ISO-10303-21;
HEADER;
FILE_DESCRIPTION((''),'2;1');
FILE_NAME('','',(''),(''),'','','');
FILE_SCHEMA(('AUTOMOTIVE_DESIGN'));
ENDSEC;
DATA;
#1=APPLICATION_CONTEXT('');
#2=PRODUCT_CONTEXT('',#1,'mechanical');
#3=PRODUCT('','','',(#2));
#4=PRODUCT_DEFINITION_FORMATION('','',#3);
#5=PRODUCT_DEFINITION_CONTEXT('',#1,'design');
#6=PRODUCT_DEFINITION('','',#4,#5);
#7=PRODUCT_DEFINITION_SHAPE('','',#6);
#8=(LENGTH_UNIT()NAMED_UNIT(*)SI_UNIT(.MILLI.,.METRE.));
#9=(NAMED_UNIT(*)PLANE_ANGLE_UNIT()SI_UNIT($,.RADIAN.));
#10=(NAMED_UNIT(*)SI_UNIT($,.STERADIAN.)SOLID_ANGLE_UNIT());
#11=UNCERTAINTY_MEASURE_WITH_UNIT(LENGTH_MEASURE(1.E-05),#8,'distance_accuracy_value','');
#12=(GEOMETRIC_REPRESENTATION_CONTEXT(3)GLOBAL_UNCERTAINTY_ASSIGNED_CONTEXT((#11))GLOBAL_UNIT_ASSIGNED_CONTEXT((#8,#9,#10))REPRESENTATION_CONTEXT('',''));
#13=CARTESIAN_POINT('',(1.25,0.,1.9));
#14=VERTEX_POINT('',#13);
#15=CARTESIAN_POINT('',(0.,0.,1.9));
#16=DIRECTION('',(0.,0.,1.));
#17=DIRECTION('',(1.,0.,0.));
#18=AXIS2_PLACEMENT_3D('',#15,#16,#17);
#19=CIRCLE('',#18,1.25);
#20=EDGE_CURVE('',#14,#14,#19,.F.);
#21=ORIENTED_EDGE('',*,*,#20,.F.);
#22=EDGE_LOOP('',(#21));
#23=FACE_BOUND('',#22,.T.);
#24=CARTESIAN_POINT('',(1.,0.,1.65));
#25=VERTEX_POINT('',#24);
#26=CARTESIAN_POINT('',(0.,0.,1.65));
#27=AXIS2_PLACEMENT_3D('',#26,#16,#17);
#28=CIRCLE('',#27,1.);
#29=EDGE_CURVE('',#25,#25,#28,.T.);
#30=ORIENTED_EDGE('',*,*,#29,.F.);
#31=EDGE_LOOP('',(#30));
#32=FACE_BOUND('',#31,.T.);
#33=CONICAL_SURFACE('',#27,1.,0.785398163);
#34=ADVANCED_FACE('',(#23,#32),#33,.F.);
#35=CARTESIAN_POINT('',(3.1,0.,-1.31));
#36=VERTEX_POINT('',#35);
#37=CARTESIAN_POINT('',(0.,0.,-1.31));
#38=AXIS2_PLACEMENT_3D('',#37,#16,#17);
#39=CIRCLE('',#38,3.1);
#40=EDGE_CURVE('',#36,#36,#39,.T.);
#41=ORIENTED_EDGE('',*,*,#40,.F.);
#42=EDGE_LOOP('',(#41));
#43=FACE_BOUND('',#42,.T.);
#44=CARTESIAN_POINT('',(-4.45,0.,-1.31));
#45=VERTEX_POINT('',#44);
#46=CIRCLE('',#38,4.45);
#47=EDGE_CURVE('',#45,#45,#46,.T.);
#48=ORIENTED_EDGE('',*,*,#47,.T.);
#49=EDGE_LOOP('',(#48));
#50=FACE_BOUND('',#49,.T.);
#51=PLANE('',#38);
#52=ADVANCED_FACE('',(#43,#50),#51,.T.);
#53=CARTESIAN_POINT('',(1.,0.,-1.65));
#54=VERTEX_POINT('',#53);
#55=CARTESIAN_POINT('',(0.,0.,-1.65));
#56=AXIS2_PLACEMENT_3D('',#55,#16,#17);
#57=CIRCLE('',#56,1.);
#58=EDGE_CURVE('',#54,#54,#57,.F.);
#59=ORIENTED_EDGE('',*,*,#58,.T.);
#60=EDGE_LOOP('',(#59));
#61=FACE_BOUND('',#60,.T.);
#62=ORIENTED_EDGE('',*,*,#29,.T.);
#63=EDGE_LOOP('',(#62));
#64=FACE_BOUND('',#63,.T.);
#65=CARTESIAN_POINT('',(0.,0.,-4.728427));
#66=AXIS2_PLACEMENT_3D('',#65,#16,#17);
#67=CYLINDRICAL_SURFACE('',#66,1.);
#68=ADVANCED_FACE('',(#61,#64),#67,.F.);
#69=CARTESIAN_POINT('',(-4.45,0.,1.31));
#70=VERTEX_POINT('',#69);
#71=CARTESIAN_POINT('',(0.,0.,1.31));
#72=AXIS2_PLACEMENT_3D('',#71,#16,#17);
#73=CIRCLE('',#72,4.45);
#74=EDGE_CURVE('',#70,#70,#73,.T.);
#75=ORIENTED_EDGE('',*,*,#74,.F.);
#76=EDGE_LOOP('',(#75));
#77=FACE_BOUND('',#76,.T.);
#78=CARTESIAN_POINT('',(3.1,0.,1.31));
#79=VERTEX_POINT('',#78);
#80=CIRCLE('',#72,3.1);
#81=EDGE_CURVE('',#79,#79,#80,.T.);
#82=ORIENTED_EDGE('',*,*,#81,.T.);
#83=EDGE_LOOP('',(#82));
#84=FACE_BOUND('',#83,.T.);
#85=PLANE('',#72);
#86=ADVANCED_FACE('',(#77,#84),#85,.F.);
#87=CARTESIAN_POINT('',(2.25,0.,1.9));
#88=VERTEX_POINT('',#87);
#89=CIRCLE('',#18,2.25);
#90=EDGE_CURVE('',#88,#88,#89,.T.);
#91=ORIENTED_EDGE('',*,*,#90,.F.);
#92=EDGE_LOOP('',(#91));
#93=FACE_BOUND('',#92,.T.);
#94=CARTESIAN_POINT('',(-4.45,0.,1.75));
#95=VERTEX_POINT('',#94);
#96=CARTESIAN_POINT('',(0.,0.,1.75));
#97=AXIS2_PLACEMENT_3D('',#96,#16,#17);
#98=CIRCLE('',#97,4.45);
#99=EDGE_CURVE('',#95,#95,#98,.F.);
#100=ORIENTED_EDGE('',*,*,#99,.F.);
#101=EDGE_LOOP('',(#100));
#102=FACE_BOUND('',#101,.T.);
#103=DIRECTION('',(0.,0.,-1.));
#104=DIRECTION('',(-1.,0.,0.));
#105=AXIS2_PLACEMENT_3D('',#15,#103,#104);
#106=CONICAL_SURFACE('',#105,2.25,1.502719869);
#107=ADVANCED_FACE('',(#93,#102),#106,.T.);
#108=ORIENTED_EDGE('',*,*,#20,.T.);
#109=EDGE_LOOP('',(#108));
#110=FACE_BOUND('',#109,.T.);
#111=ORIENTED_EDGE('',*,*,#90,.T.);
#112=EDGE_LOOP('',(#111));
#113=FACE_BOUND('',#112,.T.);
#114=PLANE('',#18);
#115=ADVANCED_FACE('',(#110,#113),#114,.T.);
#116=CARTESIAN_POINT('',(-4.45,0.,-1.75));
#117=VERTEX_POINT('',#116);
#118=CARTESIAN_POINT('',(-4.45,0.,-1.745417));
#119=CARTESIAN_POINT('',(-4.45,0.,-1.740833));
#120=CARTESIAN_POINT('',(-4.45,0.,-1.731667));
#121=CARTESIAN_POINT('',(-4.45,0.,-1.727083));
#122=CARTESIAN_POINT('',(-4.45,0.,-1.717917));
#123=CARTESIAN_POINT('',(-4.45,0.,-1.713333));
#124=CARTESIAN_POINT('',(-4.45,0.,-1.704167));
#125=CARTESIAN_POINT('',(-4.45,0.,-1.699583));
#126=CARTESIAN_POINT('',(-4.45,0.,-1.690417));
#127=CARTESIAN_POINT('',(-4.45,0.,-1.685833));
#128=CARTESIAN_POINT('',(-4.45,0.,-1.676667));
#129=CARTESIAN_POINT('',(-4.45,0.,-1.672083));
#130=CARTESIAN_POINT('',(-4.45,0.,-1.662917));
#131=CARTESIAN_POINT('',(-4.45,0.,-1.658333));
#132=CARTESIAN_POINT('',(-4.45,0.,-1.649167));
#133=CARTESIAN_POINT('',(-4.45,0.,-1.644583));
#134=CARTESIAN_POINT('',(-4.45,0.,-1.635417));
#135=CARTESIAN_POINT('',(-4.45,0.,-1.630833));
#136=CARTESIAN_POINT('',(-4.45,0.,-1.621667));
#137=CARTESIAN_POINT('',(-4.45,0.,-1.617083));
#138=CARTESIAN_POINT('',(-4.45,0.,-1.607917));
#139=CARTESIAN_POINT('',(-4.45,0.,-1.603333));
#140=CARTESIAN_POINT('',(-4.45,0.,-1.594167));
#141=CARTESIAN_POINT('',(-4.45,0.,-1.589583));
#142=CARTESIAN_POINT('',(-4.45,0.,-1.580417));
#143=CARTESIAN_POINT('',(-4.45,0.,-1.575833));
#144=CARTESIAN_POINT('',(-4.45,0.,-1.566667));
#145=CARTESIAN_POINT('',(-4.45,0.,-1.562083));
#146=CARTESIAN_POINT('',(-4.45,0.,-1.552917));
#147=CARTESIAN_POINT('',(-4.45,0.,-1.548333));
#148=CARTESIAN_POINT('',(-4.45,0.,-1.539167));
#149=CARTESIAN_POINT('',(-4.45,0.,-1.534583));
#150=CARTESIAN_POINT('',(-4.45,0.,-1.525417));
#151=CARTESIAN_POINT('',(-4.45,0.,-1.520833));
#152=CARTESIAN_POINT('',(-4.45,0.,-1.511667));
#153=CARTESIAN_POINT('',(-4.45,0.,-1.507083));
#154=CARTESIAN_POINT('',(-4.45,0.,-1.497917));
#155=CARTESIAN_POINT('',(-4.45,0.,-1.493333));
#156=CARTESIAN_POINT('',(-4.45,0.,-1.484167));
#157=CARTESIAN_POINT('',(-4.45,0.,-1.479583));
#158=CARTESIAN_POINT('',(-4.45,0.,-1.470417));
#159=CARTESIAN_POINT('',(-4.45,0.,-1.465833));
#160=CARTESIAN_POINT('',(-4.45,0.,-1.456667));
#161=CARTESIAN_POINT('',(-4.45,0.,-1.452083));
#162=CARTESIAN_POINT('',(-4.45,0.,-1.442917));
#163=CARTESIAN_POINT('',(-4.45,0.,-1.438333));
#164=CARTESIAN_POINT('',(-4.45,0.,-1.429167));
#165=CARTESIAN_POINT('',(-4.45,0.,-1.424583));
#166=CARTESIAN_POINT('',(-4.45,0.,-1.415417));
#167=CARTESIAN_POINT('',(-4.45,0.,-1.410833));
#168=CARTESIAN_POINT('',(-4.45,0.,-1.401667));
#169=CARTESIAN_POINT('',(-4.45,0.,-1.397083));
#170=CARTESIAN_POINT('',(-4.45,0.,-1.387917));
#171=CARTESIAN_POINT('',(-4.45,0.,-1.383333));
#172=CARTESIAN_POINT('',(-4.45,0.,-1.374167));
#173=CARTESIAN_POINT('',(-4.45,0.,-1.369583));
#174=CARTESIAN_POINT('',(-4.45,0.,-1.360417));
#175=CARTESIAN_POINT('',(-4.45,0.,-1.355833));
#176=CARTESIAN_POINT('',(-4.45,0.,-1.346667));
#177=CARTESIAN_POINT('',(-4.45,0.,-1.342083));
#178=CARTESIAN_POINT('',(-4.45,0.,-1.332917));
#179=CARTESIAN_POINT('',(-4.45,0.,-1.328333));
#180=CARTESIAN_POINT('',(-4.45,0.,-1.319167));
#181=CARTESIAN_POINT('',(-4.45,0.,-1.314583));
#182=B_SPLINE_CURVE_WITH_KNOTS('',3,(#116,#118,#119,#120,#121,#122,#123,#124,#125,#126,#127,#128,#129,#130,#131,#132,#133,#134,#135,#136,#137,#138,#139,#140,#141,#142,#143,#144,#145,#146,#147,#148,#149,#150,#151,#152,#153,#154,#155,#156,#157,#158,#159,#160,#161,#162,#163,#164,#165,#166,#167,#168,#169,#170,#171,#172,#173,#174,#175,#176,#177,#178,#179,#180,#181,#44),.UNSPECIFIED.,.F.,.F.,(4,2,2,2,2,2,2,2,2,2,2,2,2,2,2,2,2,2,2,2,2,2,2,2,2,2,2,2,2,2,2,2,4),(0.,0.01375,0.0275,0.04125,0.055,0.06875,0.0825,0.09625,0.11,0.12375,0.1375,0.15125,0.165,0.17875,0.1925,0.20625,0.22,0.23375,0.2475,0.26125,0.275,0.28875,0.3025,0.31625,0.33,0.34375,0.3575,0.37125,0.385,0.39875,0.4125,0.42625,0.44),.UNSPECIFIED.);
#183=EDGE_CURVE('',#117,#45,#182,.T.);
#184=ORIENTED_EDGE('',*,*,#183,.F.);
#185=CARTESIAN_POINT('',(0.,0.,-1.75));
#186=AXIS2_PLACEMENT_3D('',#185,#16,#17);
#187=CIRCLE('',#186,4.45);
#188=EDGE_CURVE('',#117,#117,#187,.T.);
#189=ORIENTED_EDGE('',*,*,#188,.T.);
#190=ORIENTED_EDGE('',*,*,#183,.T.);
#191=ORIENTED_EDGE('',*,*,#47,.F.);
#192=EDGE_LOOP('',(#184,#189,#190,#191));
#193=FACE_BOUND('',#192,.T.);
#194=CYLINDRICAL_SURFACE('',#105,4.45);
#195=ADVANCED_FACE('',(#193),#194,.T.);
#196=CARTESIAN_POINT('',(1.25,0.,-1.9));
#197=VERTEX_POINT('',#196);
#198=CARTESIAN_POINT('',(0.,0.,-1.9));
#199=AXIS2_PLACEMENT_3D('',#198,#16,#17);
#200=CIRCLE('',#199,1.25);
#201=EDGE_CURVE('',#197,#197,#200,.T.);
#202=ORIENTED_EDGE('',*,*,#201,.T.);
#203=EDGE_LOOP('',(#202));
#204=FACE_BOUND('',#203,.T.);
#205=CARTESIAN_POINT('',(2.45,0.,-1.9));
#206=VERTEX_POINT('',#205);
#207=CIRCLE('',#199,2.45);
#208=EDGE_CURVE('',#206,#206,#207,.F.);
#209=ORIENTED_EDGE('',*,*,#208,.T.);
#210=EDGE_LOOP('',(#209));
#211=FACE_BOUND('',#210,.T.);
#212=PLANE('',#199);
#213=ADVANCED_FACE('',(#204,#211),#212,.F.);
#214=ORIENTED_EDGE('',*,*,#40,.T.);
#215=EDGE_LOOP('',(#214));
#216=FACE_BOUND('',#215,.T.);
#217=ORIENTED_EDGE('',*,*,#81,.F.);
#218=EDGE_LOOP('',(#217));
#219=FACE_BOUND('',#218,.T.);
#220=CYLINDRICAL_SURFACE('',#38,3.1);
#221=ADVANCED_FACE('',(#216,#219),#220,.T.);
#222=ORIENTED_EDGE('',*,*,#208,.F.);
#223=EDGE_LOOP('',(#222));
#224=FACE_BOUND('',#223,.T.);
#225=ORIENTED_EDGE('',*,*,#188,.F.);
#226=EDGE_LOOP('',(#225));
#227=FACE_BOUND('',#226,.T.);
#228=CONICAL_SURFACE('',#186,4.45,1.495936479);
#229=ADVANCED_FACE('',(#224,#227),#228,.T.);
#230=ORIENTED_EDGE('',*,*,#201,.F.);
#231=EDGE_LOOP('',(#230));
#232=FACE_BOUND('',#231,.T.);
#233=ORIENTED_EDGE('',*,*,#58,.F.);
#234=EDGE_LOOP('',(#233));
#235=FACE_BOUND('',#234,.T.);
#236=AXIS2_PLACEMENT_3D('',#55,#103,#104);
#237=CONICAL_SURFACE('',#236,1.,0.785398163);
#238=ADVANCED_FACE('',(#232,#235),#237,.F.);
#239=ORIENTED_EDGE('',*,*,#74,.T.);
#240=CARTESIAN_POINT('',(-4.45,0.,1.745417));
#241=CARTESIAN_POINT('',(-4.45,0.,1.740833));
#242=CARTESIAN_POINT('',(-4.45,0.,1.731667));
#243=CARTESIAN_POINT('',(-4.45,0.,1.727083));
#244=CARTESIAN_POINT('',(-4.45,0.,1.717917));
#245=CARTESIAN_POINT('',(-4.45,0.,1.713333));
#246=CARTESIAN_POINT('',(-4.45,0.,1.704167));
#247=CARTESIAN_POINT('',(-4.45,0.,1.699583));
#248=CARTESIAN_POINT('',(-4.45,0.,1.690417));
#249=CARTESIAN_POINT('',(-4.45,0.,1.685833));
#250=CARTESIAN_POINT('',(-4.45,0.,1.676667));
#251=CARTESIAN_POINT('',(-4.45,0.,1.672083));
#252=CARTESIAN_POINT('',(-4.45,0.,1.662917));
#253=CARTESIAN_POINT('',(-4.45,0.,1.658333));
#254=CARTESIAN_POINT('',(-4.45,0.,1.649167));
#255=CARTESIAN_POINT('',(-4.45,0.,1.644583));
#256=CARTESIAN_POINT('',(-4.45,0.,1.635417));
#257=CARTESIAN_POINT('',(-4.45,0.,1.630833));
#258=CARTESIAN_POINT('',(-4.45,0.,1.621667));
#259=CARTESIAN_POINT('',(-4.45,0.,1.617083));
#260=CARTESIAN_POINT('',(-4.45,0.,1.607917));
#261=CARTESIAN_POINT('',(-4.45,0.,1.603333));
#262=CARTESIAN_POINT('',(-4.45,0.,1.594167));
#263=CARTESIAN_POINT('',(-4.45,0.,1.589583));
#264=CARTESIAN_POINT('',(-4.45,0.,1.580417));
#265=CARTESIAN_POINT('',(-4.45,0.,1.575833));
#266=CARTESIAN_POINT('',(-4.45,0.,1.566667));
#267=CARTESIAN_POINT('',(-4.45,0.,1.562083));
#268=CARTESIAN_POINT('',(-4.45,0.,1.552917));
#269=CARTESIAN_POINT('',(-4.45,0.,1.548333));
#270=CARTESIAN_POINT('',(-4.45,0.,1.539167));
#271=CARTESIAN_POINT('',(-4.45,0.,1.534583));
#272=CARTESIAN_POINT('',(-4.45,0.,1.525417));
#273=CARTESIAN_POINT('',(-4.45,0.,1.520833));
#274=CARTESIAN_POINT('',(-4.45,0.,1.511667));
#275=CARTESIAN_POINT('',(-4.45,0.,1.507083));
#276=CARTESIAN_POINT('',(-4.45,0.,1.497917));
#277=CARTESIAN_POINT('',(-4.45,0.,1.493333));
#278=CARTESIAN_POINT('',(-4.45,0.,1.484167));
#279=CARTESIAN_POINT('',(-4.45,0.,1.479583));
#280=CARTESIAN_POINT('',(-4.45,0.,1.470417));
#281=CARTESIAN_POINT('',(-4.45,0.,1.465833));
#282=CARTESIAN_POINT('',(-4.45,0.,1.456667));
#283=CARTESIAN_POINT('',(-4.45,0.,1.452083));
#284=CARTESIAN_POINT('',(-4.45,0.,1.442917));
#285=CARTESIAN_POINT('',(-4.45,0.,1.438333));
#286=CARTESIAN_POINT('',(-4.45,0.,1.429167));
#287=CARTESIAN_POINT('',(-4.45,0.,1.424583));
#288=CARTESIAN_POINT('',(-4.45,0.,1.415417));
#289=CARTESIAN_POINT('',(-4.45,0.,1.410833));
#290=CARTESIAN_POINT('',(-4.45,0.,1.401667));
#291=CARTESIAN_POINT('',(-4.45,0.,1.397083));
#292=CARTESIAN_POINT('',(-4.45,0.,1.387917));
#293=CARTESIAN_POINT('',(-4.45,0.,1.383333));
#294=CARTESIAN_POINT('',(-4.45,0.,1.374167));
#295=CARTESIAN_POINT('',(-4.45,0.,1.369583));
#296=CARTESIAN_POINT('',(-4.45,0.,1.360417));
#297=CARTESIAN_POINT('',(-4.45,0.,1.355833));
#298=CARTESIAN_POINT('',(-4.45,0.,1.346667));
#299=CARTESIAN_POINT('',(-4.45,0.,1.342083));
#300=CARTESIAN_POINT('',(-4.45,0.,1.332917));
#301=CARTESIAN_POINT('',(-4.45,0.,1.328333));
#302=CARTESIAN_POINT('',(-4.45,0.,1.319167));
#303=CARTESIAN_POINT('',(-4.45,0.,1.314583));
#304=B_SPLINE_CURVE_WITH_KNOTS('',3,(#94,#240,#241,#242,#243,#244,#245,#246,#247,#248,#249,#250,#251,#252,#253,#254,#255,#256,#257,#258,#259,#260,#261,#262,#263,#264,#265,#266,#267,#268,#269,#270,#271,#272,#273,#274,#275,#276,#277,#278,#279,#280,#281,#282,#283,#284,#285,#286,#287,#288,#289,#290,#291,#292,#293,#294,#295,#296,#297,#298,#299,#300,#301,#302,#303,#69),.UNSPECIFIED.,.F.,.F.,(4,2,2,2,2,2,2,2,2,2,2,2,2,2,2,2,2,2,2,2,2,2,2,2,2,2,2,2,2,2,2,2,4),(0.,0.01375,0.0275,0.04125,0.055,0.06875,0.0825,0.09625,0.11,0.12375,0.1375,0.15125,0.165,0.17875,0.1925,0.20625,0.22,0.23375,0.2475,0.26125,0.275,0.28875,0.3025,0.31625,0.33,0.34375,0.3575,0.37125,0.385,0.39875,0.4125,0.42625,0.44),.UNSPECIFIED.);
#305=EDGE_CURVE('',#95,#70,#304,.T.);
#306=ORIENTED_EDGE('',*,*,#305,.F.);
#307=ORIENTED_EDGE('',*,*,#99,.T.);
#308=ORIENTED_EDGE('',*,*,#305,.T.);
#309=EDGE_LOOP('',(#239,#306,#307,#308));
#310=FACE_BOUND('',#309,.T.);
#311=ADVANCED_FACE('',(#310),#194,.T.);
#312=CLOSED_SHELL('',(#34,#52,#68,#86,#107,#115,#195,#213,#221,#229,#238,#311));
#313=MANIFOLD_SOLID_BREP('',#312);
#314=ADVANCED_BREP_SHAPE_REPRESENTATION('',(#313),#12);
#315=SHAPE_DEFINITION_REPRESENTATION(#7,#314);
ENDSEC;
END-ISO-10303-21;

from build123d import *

# Parameters (mm, degrees)
SKETCH_1_R          = 4.45
EXTRUDE_1_DEPTH     = 1.9
SKETCH_2_R          = 4.45
SKETCH_2_R_2        = 3.1
CUT_EXTRUDE_2_DEPTH = 1.31
SKETCH_3_R          = 1
CUT_EXTRUDE_3_DEPTH = 3.8
CHAMFER_1_SIZE      = 0.25
CHAMFER_2_SIZE      = 2
CHAMFER_2_SIZE2     = 0.15
CHAMFER_3_SIZE      = 0.15
CHAMFER_3_SIZE2     = 2.2


with BuildPart() as part:
    # 草图1 → 拉伸1 (new, symmetric)
    with BuildSketch(Plane.XY):
        with Locations(Location((0, 0, 0), (0, 0, 180))):
            Circle(SKETCH_1_R)
    extrude(amount=EXTRUDE_1_DEPTH, both=True)

    # 草图2 → 拉伸2 (cut, symmetric)
    with BuildSketch(Plane.XY):
        with Locations(Location((0, 0, 0), (0, 0, 180))):
            Circle(SKETCH_2_R)
        Circle(SKETCH_2_R_2, mode=Mode.SUBTRACT)
    extrude(amount=CUT_EXTRUDE_2_DEPTH, both=True, mode=Mode.SUBTRACT)

    # 草图3 → 拉伸3 (cut)
    with BuildSketch(Plane.XY.offset(1.9)):
        Circle(SKETCH_3_R)
    extrude(amount=-CUT_EXTRUDE_3_DEPTH, mode=Mode.SUBTRACT)

    # 倒角1
    chamfer_1_edges = [part.edges().sort_by_distance(p)[0] for p in [
        (-1, 0, 1.9),
        (-1, 0, -1.9),
    ]]
    chamfer(chamfer_1_edges, length=CHAMFER_1_SIZE)

    # 倒角2
    chamfer_2_edges = [part.edges().sort_by_distance(p)[0] for p in [
        (4.45, 0, -1.9),
    ]]
    chamfer_2_side = [part.faces().sort_by_distance(p)[0] for p in [
        (-1.375865007, 0, -1.9),
    ]]
    chamfer(chamfer_2_edges, length=CHAMFER_2_SIZE, length2=CHAMFER_2_SIZE2, reference=chamfer_2_side[0])

    # 倒角3
    chamfer_3_edges = [part.edges().sort_by_distance(p)[0] for p in [
        (4.45, 0, 1.9),
    ]]
    chamfer_3_side = [part.faces().sort_by_distance(p)[0] for p in [
        (4.45, 0, 1.605),
    ]]
    chamfer(chamfer_3_edges, length=CHAMFER_3_SIZE, length2=CHAMFER_3_SIZE2, reference=chamfer_3_side[0])


solid = part.part
